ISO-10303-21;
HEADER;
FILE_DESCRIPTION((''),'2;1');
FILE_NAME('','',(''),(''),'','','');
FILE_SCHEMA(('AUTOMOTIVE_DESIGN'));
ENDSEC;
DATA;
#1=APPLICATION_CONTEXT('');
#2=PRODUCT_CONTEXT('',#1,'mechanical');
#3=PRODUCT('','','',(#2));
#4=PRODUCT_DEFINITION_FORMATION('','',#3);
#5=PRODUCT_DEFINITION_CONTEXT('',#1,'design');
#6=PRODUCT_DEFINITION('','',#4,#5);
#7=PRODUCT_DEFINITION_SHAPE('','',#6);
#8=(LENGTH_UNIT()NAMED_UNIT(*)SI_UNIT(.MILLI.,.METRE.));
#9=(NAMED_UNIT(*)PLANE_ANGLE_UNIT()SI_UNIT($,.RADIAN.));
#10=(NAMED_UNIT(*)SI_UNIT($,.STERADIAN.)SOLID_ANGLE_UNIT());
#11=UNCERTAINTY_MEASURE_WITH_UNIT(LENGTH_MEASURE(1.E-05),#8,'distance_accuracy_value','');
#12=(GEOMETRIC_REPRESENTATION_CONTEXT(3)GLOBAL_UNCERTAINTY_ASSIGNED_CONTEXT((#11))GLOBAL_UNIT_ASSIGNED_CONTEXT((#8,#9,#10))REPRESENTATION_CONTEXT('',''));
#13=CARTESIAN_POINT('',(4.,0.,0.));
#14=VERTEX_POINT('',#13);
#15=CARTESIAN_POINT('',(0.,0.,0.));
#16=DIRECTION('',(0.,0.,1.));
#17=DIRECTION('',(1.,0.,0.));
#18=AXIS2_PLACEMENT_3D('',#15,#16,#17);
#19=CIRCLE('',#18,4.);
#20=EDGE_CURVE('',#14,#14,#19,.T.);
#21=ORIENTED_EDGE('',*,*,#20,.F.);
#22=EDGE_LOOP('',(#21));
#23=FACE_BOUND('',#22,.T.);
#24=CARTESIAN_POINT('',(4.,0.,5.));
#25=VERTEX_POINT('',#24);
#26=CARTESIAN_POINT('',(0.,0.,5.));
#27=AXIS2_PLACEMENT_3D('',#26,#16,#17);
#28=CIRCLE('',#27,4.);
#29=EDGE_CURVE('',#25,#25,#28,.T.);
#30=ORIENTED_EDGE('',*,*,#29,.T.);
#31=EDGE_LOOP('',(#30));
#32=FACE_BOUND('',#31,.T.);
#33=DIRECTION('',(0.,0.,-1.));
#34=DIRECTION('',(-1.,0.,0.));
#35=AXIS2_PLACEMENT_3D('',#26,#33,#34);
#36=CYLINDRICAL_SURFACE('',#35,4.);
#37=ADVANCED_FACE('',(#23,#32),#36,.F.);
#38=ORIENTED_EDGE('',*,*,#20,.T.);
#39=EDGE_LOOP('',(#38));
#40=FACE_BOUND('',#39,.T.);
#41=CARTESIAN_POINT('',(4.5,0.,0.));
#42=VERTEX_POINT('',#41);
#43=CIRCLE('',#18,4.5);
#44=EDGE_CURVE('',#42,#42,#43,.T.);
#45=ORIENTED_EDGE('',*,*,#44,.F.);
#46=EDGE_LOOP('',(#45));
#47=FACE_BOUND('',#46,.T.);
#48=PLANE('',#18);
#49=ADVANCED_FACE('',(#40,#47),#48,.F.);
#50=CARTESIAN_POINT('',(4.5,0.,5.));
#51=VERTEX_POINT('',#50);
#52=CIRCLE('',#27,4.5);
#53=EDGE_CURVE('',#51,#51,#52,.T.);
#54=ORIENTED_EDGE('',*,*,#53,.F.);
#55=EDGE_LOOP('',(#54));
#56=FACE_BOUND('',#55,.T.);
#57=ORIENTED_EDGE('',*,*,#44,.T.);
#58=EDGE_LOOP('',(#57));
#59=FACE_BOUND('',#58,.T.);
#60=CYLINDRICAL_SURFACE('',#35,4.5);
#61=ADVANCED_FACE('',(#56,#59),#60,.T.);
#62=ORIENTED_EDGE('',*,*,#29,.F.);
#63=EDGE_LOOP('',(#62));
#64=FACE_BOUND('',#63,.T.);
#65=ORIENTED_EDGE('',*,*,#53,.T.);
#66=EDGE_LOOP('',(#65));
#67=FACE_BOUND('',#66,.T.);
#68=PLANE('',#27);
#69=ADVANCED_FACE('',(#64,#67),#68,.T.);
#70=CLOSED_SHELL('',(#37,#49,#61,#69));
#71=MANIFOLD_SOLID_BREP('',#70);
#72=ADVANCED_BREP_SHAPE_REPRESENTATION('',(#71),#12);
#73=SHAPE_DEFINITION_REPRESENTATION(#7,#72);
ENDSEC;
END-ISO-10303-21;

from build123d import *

# Parameters (mm, degrees)
IZIM1_R                     = 4.5
IZIM1_R_2                   = 4
Y_KSEKLIK_EKSTR_ZYON2_DEPTH = 5


with BuildPart() as part:
    # Çizim1 → Yükseklik-Ekstrüzyon2 (new body)
    with BuildSketch(Plane.XY):
        Circle(IZIM1_R)
        Circle(IZIM1_R_2, mode=Mode.SUBTRACT)
    extrude(amount=Y_KSEKLIK_EKSTR_ZYON2_DEPTH)


solid = part.part
